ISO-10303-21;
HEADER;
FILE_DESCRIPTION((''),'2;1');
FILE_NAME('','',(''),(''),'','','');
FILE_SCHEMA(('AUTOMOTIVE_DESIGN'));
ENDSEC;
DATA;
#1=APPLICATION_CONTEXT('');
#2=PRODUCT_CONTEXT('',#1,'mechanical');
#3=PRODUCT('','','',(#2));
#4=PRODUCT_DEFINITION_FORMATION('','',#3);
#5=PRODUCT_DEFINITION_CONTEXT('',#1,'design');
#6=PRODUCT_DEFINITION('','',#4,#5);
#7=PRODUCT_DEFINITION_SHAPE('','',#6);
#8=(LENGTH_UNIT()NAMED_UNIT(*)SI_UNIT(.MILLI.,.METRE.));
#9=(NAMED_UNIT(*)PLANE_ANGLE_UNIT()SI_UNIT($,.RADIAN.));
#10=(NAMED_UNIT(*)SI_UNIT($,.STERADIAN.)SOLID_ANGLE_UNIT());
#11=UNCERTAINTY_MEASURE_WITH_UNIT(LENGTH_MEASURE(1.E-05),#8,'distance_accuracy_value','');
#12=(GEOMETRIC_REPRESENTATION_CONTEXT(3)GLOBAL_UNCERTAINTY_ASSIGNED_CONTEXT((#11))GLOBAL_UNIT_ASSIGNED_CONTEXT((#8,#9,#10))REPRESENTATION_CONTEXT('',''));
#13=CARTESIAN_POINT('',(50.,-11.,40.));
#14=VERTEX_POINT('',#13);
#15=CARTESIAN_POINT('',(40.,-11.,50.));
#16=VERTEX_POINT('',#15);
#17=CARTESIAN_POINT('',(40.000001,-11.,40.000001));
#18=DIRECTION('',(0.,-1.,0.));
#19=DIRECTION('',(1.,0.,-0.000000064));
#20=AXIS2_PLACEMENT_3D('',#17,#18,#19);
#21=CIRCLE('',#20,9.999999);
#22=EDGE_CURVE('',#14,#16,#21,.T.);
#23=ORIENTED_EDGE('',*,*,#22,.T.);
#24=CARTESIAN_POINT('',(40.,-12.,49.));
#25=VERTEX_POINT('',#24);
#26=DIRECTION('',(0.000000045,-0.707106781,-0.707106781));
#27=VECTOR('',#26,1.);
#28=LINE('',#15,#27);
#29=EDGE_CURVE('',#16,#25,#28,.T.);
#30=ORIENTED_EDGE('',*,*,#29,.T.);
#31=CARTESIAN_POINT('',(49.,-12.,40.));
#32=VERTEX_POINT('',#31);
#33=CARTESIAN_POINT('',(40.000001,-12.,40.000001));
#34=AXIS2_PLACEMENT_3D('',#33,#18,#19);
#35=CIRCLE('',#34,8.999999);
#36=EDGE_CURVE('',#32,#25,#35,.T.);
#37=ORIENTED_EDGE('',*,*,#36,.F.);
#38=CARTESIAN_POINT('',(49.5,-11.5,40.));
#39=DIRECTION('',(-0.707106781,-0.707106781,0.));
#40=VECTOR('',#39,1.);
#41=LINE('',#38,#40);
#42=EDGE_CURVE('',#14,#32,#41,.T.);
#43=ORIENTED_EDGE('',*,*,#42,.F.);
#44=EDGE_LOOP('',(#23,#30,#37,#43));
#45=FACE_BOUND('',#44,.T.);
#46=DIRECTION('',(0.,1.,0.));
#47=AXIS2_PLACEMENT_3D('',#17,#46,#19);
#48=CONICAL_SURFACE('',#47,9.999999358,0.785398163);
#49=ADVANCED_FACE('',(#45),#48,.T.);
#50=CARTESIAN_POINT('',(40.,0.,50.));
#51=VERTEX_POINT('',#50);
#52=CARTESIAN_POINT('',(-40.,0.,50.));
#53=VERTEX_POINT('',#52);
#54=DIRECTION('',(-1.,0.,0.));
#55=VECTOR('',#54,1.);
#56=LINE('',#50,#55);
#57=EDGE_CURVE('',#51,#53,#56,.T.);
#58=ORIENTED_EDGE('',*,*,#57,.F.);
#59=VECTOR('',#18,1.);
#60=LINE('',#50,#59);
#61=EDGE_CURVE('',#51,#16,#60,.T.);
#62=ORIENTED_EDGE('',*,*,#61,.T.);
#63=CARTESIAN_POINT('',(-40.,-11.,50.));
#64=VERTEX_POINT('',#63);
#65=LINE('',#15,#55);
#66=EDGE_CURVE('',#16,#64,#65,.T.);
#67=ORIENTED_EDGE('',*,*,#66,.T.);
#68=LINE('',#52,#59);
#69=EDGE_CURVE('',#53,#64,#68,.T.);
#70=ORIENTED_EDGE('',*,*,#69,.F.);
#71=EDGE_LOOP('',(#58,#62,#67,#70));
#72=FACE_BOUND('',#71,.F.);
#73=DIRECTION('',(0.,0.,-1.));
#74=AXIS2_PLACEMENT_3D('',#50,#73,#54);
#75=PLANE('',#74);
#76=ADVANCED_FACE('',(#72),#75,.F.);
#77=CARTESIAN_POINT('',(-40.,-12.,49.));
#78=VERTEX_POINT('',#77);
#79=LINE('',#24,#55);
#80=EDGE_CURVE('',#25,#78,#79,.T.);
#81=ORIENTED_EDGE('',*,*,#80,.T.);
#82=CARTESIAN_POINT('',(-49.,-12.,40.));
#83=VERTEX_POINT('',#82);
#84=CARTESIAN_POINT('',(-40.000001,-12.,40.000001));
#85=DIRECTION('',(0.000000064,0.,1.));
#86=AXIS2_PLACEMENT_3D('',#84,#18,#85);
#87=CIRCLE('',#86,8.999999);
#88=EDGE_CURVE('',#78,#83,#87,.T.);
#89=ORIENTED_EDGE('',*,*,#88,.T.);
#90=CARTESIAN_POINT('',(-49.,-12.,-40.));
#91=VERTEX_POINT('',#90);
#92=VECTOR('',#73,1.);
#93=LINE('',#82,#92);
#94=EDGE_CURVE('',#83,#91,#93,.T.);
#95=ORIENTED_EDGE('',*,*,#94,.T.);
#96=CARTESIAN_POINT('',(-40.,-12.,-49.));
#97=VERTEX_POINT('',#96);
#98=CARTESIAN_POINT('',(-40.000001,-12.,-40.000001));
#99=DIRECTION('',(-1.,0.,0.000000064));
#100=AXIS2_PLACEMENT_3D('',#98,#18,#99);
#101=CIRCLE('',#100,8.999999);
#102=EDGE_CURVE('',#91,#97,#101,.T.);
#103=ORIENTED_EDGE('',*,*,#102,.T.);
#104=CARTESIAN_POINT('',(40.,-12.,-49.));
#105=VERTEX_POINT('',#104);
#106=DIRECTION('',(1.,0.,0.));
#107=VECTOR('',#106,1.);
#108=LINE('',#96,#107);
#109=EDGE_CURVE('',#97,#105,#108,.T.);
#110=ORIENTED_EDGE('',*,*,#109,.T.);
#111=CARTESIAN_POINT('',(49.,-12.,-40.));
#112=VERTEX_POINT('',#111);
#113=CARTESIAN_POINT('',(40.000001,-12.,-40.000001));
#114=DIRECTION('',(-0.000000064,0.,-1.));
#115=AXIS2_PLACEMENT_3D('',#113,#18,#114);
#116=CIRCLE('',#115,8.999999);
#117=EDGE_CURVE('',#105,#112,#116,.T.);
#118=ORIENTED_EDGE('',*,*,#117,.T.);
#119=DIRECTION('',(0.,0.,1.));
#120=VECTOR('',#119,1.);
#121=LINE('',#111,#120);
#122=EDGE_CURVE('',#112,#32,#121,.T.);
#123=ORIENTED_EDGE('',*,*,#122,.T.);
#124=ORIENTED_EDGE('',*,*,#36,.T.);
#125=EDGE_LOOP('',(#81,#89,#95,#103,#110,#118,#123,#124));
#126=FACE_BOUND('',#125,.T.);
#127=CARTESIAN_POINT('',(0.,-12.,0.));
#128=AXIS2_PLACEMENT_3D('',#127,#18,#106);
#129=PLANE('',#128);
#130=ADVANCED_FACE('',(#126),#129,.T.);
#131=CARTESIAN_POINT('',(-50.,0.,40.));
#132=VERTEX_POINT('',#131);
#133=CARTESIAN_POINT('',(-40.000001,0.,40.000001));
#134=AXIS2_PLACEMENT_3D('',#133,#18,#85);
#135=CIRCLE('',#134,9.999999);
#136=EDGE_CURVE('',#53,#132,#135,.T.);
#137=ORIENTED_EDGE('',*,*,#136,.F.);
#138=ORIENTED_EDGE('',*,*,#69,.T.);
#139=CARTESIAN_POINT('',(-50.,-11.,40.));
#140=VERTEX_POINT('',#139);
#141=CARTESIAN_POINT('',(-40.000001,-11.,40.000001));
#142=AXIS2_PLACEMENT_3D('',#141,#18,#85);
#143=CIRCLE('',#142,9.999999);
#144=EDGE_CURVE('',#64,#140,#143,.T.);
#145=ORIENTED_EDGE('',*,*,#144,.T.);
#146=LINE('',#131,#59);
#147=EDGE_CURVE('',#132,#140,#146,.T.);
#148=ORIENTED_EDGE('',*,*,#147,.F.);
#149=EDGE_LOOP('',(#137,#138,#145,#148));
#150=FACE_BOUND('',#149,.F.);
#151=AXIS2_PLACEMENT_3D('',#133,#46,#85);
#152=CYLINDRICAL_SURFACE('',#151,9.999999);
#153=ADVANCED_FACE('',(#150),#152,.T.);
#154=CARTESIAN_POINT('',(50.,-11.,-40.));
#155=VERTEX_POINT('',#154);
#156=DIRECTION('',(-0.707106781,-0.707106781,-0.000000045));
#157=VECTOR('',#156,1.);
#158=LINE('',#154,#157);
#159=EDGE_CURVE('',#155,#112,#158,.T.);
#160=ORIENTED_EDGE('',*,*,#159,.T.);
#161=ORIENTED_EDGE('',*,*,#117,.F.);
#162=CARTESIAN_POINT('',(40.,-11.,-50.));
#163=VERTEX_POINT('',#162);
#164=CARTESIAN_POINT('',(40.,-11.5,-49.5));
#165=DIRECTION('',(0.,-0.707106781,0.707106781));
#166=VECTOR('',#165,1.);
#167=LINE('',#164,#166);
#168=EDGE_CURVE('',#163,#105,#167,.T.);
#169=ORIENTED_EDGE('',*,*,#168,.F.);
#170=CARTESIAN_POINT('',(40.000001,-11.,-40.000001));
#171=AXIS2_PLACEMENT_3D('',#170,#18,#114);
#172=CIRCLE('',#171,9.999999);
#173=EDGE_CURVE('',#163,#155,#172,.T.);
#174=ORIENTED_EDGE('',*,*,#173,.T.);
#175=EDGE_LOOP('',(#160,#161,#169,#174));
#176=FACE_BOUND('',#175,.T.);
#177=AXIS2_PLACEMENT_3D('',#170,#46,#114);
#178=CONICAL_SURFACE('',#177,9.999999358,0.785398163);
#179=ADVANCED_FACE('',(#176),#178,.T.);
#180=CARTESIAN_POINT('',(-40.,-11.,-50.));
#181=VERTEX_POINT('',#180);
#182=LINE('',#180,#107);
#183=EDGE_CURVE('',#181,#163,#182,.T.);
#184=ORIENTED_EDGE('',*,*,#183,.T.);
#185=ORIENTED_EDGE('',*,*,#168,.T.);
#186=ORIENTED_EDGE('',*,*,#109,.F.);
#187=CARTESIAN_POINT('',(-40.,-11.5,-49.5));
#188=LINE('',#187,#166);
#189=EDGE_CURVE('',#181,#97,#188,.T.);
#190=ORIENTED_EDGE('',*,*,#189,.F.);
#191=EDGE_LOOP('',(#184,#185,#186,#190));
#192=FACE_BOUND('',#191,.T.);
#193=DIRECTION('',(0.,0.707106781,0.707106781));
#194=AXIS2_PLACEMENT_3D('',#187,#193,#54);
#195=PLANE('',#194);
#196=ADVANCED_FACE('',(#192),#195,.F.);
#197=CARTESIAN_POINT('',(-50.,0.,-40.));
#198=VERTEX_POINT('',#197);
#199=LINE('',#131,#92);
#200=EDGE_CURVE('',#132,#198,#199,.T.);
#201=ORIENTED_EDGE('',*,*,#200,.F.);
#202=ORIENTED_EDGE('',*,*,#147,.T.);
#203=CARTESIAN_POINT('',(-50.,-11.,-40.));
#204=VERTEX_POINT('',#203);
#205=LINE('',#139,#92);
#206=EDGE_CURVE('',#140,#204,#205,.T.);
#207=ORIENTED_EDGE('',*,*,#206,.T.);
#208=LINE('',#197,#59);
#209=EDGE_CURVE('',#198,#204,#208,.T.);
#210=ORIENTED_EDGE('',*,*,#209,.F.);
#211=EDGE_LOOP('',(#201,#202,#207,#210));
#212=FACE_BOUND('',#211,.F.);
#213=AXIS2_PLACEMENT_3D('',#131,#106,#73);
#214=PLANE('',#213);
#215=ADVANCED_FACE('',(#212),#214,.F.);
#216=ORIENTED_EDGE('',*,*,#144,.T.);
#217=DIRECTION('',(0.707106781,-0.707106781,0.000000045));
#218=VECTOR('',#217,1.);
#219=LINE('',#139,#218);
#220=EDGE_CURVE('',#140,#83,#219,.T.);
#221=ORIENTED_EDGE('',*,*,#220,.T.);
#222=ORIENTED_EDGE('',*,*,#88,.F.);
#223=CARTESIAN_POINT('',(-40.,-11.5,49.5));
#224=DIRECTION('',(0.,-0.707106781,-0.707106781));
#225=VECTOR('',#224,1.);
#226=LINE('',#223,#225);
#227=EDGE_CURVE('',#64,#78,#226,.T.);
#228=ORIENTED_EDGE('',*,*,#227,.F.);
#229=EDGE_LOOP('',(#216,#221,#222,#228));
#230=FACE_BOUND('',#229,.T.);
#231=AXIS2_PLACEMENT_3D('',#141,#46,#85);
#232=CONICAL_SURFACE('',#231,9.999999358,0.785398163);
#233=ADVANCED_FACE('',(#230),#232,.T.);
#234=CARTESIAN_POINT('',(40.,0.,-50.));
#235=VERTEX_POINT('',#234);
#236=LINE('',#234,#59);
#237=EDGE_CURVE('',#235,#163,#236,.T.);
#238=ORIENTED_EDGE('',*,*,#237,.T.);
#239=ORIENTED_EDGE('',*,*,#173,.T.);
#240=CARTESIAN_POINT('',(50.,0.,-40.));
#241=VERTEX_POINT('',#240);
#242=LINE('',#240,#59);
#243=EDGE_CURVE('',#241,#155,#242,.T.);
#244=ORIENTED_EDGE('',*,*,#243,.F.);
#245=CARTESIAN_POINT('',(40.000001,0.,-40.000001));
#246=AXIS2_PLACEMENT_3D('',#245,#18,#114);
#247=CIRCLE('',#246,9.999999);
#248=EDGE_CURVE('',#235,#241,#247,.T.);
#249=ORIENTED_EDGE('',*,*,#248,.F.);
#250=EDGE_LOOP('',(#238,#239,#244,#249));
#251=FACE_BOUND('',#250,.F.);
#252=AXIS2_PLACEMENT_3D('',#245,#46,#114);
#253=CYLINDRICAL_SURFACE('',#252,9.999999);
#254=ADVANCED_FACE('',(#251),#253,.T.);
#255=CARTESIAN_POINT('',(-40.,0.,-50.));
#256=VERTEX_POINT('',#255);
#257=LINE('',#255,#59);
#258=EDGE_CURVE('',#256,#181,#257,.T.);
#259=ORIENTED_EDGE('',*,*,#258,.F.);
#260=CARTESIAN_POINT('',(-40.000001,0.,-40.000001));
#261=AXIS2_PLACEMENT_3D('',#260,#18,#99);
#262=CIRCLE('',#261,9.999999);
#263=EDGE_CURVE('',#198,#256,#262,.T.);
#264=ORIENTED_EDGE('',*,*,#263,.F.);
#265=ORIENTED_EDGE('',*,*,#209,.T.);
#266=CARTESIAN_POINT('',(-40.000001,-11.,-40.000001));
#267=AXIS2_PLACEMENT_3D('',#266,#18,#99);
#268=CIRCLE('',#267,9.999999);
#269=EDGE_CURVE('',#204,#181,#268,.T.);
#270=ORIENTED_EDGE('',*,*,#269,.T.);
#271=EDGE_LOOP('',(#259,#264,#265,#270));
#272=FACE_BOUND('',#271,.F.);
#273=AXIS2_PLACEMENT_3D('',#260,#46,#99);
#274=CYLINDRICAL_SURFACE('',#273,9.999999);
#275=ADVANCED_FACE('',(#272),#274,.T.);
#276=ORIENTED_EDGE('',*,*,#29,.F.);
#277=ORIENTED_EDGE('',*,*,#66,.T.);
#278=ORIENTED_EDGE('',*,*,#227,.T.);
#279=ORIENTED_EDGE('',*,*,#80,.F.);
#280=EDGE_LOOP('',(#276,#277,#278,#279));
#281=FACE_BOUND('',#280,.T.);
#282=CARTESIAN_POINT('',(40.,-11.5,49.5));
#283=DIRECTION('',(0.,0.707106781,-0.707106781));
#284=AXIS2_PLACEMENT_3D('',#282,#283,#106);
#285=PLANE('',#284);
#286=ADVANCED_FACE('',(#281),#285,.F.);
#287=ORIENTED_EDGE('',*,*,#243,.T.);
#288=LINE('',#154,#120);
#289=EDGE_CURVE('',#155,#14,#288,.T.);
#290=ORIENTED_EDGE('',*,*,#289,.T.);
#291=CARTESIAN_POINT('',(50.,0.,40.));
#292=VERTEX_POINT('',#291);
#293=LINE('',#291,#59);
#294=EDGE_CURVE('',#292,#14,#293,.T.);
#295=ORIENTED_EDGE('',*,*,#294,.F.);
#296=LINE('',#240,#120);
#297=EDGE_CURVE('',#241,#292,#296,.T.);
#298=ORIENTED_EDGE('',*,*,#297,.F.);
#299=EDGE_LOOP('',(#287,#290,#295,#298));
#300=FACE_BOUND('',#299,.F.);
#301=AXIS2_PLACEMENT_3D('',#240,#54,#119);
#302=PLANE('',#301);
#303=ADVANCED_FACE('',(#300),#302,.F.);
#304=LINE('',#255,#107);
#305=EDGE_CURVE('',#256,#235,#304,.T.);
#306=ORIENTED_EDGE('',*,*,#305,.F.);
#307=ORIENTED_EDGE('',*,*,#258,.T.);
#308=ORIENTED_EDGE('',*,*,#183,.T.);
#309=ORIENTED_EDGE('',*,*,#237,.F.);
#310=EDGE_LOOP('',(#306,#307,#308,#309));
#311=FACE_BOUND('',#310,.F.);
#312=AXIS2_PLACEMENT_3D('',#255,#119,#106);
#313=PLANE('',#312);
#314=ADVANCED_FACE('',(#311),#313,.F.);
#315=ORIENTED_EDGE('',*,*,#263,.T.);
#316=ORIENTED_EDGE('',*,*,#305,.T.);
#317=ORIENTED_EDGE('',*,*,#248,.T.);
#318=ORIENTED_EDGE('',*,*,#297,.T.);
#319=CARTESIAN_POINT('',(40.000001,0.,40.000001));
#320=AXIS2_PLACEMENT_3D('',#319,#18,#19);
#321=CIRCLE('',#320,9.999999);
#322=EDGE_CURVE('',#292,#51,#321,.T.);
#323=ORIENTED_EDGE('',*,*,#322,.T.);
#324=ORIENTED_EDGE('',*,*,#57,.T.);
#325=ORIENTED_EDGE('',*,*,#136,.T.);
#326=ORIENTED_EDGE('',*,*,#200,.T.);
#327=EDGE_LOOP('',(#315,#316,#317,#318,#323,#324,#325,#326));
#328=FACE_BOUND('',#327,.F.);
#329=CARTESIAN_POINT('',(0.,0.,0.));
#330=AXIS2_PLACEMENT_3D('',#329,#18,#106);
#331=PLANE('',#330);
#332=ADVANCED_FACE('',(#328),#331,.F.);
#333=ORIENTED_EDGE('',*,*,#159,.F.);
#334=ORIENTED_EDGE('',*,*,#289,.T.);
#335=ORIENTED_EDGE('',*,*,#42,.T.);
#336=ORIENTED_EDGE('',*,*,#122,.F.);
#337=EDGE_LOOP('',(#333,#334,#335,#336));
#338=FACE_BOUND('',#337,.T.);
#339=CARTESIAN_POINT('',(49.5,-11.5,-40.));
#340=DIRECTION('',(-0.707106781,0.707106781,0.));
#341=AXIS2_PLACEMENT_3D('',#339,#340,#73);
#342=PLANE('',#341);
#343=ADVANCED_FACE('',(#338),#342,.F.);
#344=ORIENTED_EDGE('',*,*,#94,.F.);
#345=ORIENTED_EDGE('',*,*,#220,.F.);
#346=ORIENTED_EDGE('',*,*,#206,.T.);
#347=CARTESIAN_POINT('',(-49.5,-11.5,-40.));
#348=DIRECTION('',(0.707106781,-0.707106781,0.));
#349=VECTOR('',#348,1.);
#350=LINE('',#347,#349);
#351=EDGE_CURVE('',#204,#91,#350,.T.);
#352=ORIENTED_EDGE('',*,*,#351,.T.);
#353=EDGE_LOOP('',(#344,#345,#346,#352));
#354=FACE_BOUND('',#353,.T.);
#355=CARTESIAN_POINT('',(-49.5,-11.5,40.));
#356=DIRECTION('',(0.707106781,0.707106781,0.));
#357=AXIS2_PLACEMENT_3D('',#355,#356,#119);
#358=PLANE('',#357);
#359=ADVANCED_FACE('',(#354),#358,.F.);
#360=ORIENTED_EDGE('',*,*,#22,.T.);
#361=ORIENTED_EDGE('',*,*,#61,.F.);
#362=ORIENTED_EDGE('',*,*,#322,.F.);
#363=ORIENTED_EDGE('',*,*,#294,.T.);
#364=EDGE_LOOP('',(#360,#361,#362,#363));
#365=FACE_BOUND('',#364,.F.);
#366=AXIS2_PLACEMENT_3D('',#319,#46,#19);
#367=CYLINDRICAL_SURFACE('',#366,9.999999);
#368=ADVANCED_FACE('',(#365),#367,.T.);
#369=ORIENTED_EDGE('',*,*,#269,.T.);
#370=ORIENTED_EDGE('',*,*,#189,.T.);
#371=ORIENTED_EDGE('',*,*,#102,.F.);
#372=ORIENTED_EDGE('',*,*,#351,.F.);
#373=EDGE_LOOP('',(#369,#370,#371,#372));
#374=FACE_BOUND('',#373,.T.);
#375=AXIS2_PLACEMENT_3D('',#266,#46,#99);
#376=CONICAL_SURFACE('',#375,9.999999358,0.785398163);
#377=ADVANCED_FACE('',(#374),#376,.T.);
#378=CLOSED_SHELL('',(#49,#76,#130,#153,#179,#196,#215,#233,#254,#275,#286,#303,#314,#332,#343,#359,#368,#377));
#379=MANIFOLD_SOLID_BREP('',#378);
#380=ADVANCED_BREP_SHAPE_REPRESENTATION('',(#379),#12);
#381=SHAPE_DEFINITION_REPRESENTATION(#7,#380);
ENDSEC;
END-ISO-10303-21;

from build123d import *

# Parameters (mm, degrees)
F1_DEPTH = 12
F2_SIZE2 = 1
F2_SIZE  = 1


with BuildPart() as f1:
    # F0 (on Front) → F1 (new body)
    with BuildSketch(Plane.XZ):
        with BuildLine():
            Line((-40, -50), (40, -50))
            ThreePointArc((40, -50), (47.071068, -47.071068), (50, -40))
            Line((50, -40), (50, 40))
            ThreePointArc((50, 40), (47.071068, 47.071068), (40, 50))
            Line((40, 50), (-40, 50))
            ThreePointArc((-40, 50), (-47.071068, 47.071068), (-50, 40))
            Line((-50, 40), (-50, -40))
            ThreePointArc((-50, -40), (-47.071068, -47.071068), (-40, -50))
        make_face()
    extrude(amount=F1_DEPTH)

    # F2
    f2_edges = [f1.edges().sort_by_distance(p)[0] for p in [
        (0, -12, -50),
        (-47.071068, -12, -47.071068),
    ]]
    chamfer(f2_edges, length=F2_SIZE, length2=F2_SIZE2)


solid = f1.part
